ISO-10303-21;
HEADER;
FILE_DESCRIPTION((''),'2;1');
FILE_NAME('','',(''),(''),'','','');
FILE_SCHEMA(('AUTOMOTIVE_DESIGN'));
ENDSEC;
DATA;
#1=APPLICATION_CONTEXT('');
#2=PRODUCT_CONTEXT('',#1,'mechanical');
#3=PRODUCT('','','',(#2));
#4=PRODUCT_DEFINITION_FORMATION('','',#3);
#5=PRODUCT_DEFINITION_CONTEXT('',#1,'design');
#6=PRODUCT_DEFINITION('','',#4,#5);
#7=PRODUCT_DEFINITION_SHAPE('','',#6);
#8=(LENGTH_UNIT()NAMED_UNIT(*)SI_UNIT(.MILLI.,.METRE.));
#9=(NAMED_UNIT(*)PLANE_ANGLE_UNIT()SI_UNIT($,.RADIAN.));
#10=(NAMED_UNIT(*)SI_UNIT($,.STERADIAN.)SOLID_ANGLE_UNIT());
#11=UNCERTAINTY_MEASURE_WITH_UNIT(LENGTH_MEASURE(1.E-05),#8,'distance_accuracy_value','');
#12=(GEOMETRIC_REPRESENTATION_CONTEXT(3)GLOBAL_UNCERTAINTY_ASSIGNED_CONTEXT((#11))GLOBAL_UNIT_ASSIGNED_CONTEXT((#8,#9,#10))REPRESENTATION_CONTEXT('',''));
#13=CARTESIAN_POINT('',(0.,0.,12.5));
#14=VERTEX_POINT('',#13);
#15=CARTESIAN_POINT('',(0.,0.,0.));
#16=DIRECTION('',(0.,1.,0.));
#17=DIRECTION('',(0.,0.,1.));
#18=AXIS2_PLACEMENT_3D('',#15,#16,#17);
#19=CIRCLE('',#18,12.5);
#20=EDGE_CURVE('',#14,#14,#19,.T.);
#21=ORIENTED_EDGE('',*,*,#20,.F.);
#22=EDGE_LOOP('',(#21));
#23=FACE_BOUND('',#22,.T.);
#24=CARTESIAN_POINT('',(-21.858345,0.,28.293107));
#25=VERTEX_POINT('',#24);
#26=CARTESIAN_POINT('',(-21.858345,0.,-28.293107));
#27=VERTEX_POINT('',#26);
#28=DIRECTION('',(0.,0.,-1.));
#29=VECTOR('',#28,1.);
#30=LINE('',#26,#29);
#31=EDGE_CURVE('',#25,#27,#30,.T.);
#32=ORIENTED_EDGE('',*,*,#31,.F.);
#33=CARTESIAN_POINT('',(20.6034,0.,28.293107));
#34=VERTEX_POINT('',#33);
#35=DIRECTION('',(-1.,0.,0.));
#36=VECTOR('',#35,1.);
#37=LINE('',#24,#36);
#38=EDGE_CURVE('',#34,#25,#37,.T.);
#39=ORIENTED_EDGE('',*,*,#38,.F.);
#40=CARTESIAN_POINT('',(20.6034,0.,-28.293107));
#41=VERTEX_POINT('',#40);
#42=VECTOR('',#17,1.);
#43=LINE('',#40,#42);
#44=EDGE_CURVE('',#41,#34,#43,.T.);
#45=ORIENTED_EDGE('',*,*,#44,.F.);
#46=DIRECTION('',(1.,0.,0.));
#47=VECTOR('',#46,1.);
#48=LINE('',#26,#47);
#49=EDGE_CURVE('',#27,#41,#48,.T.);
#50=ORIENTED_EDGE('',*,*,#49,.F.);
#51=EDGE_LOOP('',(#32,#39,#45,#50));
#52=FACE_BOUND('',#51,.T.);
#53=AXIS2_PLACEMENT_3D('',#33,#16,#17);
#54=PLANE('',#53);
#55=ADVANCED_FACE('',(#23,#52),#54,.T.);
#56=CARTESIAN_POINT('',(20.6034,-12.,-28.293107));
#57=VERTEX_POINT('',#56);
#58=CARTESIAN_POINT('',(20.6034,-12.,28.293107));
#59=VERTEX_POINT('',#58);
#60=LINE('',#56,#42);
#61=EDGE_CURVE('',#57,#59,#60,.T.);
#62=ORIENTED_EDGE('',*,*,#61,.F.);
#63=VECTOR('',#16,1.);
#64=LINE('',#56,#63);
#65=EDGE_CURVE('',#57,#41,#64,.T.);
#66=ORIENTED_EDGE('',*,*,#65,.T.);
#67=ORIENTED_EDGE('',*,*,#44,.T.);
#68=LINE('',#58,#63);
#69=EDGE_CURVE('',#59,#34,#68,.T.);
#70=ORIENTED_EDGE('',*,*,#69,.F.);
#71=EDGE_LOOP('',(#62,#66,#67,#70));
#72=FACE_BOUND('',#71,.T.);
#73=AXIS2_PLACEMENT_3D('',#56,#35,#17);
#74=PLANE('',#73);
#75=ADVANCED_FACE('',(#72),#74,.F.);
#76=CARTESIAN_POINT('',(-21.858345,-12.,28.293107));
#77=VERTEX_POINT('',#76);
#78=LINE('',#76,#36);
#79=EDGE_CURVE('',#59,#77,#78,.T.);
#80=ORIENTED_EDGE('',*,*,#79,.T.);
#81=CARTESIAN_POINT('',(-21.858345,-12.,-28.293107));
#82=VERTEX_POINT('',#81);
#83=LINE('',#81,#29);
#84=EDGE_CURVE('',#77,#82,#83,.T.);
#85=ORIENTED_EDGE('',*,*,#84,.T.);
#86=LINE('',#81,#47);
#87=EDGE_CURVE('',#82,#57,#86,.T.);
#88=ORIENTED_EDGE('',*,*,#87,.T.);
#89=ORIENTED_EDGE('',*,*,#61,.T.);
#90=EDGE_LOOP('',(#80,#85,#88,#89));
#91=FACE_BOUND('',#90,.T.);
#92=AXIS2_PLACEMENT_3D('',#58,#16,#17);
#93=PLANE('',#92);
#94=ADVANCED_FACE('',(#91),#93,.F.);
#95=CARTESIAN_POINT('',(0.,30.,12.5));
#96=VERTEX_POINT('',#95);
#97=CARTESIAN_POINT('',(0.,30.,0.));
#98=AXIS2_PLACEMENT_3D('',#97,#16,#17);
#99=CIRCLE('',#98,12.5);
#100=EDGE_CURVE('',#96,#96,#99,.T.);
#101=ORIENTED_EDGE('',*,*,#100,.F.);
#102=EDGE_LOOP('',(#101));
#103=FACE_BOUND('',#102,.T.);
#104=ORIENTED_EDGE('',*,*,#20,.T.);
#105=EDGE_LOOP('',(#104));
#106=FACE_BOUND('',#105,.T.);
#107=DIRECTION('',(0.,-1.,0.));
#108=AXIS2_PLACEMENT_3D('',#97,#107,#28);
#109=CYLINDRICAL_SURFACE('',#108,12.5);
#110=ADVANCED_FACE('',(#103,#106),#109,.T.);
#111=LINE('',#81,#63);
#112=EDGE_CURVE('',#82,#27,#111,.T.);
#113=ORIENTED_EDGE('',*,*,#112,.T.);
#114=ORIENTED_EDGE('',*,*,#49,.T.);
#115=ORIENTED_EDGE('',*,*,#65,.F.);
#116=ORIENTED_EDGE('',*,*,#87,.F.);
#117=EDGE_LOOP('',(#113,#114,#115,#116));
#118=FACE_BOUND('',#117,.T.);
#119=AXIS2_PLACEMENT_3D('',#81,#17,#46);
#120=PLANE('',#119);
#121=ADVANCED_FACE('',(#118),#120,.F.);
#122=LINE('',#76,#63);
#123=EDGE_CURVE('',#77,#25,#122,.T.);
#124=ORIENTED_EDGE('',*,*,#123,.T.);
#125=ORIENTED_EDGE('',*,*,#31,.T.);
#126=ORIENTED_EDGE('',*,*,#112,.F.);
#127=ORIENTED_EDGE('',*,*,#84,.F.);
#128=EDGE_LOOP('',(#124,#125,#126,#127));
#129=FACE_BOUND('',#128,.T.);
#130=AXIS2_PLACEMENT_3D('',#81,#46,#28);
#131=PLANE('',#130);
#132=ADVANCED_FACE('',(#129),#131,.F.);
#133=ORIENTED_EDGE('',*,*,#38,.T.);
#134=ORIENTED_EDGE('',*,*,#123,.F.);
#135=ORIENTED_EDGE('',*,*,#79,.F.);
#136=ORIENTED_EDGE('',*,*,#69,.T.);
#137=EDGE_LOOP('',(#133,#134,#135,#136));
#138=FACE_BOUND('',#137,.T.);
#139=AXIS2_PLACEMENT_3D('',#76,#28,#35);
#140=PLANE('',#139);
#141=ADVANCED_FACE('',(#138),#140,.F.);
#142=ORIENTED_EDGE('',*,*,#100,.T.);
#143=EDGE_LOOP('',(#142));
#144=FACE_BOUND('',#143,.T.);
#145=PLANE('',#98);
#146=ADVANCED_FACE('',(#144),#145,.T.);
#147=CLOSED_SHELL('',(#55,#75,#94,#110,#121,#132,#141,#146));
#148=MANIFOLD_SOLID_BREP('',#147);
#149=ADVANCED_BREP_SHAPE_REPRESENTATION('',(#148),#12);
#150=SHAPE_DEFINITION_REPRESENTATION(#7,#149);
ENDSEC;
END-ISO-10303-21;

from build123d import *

# Parameters (mm, degrees)
SKETCH_1_R      = 12.5
EXTRUDE_1_DEPTH = 30
SKETCH_2_W      = 42.461745146
SKETCH_2_H      = 56.586214178
EXTRUDE_2_DEPTH = 12


with BuildPart() as part:
    # Эскиз1 → Вытянуть1 (new body)
    with BuildSketch(Plane(origin=(0, 0, 0), x_dir=(1, 0, 0), z_dir=(0, 1, 0))):
        with Locations(Location((0, 0, 0), (0, 0, 270))):
            Circle(SKETCH_1_R)
    extrude(amount=EXTRUDE_1_DEPTH)

    # Эскиз2 → Вытянуть2 (add)
    with BuildSketch(Plane.XZ):
        with Locations((-0.627472581, 0)):
            Rectangle(SKETCH_2_W, SKETCH_2_H)
    extrude(amount=EXTRUDE_2_DEPTH)


solid = part.part
